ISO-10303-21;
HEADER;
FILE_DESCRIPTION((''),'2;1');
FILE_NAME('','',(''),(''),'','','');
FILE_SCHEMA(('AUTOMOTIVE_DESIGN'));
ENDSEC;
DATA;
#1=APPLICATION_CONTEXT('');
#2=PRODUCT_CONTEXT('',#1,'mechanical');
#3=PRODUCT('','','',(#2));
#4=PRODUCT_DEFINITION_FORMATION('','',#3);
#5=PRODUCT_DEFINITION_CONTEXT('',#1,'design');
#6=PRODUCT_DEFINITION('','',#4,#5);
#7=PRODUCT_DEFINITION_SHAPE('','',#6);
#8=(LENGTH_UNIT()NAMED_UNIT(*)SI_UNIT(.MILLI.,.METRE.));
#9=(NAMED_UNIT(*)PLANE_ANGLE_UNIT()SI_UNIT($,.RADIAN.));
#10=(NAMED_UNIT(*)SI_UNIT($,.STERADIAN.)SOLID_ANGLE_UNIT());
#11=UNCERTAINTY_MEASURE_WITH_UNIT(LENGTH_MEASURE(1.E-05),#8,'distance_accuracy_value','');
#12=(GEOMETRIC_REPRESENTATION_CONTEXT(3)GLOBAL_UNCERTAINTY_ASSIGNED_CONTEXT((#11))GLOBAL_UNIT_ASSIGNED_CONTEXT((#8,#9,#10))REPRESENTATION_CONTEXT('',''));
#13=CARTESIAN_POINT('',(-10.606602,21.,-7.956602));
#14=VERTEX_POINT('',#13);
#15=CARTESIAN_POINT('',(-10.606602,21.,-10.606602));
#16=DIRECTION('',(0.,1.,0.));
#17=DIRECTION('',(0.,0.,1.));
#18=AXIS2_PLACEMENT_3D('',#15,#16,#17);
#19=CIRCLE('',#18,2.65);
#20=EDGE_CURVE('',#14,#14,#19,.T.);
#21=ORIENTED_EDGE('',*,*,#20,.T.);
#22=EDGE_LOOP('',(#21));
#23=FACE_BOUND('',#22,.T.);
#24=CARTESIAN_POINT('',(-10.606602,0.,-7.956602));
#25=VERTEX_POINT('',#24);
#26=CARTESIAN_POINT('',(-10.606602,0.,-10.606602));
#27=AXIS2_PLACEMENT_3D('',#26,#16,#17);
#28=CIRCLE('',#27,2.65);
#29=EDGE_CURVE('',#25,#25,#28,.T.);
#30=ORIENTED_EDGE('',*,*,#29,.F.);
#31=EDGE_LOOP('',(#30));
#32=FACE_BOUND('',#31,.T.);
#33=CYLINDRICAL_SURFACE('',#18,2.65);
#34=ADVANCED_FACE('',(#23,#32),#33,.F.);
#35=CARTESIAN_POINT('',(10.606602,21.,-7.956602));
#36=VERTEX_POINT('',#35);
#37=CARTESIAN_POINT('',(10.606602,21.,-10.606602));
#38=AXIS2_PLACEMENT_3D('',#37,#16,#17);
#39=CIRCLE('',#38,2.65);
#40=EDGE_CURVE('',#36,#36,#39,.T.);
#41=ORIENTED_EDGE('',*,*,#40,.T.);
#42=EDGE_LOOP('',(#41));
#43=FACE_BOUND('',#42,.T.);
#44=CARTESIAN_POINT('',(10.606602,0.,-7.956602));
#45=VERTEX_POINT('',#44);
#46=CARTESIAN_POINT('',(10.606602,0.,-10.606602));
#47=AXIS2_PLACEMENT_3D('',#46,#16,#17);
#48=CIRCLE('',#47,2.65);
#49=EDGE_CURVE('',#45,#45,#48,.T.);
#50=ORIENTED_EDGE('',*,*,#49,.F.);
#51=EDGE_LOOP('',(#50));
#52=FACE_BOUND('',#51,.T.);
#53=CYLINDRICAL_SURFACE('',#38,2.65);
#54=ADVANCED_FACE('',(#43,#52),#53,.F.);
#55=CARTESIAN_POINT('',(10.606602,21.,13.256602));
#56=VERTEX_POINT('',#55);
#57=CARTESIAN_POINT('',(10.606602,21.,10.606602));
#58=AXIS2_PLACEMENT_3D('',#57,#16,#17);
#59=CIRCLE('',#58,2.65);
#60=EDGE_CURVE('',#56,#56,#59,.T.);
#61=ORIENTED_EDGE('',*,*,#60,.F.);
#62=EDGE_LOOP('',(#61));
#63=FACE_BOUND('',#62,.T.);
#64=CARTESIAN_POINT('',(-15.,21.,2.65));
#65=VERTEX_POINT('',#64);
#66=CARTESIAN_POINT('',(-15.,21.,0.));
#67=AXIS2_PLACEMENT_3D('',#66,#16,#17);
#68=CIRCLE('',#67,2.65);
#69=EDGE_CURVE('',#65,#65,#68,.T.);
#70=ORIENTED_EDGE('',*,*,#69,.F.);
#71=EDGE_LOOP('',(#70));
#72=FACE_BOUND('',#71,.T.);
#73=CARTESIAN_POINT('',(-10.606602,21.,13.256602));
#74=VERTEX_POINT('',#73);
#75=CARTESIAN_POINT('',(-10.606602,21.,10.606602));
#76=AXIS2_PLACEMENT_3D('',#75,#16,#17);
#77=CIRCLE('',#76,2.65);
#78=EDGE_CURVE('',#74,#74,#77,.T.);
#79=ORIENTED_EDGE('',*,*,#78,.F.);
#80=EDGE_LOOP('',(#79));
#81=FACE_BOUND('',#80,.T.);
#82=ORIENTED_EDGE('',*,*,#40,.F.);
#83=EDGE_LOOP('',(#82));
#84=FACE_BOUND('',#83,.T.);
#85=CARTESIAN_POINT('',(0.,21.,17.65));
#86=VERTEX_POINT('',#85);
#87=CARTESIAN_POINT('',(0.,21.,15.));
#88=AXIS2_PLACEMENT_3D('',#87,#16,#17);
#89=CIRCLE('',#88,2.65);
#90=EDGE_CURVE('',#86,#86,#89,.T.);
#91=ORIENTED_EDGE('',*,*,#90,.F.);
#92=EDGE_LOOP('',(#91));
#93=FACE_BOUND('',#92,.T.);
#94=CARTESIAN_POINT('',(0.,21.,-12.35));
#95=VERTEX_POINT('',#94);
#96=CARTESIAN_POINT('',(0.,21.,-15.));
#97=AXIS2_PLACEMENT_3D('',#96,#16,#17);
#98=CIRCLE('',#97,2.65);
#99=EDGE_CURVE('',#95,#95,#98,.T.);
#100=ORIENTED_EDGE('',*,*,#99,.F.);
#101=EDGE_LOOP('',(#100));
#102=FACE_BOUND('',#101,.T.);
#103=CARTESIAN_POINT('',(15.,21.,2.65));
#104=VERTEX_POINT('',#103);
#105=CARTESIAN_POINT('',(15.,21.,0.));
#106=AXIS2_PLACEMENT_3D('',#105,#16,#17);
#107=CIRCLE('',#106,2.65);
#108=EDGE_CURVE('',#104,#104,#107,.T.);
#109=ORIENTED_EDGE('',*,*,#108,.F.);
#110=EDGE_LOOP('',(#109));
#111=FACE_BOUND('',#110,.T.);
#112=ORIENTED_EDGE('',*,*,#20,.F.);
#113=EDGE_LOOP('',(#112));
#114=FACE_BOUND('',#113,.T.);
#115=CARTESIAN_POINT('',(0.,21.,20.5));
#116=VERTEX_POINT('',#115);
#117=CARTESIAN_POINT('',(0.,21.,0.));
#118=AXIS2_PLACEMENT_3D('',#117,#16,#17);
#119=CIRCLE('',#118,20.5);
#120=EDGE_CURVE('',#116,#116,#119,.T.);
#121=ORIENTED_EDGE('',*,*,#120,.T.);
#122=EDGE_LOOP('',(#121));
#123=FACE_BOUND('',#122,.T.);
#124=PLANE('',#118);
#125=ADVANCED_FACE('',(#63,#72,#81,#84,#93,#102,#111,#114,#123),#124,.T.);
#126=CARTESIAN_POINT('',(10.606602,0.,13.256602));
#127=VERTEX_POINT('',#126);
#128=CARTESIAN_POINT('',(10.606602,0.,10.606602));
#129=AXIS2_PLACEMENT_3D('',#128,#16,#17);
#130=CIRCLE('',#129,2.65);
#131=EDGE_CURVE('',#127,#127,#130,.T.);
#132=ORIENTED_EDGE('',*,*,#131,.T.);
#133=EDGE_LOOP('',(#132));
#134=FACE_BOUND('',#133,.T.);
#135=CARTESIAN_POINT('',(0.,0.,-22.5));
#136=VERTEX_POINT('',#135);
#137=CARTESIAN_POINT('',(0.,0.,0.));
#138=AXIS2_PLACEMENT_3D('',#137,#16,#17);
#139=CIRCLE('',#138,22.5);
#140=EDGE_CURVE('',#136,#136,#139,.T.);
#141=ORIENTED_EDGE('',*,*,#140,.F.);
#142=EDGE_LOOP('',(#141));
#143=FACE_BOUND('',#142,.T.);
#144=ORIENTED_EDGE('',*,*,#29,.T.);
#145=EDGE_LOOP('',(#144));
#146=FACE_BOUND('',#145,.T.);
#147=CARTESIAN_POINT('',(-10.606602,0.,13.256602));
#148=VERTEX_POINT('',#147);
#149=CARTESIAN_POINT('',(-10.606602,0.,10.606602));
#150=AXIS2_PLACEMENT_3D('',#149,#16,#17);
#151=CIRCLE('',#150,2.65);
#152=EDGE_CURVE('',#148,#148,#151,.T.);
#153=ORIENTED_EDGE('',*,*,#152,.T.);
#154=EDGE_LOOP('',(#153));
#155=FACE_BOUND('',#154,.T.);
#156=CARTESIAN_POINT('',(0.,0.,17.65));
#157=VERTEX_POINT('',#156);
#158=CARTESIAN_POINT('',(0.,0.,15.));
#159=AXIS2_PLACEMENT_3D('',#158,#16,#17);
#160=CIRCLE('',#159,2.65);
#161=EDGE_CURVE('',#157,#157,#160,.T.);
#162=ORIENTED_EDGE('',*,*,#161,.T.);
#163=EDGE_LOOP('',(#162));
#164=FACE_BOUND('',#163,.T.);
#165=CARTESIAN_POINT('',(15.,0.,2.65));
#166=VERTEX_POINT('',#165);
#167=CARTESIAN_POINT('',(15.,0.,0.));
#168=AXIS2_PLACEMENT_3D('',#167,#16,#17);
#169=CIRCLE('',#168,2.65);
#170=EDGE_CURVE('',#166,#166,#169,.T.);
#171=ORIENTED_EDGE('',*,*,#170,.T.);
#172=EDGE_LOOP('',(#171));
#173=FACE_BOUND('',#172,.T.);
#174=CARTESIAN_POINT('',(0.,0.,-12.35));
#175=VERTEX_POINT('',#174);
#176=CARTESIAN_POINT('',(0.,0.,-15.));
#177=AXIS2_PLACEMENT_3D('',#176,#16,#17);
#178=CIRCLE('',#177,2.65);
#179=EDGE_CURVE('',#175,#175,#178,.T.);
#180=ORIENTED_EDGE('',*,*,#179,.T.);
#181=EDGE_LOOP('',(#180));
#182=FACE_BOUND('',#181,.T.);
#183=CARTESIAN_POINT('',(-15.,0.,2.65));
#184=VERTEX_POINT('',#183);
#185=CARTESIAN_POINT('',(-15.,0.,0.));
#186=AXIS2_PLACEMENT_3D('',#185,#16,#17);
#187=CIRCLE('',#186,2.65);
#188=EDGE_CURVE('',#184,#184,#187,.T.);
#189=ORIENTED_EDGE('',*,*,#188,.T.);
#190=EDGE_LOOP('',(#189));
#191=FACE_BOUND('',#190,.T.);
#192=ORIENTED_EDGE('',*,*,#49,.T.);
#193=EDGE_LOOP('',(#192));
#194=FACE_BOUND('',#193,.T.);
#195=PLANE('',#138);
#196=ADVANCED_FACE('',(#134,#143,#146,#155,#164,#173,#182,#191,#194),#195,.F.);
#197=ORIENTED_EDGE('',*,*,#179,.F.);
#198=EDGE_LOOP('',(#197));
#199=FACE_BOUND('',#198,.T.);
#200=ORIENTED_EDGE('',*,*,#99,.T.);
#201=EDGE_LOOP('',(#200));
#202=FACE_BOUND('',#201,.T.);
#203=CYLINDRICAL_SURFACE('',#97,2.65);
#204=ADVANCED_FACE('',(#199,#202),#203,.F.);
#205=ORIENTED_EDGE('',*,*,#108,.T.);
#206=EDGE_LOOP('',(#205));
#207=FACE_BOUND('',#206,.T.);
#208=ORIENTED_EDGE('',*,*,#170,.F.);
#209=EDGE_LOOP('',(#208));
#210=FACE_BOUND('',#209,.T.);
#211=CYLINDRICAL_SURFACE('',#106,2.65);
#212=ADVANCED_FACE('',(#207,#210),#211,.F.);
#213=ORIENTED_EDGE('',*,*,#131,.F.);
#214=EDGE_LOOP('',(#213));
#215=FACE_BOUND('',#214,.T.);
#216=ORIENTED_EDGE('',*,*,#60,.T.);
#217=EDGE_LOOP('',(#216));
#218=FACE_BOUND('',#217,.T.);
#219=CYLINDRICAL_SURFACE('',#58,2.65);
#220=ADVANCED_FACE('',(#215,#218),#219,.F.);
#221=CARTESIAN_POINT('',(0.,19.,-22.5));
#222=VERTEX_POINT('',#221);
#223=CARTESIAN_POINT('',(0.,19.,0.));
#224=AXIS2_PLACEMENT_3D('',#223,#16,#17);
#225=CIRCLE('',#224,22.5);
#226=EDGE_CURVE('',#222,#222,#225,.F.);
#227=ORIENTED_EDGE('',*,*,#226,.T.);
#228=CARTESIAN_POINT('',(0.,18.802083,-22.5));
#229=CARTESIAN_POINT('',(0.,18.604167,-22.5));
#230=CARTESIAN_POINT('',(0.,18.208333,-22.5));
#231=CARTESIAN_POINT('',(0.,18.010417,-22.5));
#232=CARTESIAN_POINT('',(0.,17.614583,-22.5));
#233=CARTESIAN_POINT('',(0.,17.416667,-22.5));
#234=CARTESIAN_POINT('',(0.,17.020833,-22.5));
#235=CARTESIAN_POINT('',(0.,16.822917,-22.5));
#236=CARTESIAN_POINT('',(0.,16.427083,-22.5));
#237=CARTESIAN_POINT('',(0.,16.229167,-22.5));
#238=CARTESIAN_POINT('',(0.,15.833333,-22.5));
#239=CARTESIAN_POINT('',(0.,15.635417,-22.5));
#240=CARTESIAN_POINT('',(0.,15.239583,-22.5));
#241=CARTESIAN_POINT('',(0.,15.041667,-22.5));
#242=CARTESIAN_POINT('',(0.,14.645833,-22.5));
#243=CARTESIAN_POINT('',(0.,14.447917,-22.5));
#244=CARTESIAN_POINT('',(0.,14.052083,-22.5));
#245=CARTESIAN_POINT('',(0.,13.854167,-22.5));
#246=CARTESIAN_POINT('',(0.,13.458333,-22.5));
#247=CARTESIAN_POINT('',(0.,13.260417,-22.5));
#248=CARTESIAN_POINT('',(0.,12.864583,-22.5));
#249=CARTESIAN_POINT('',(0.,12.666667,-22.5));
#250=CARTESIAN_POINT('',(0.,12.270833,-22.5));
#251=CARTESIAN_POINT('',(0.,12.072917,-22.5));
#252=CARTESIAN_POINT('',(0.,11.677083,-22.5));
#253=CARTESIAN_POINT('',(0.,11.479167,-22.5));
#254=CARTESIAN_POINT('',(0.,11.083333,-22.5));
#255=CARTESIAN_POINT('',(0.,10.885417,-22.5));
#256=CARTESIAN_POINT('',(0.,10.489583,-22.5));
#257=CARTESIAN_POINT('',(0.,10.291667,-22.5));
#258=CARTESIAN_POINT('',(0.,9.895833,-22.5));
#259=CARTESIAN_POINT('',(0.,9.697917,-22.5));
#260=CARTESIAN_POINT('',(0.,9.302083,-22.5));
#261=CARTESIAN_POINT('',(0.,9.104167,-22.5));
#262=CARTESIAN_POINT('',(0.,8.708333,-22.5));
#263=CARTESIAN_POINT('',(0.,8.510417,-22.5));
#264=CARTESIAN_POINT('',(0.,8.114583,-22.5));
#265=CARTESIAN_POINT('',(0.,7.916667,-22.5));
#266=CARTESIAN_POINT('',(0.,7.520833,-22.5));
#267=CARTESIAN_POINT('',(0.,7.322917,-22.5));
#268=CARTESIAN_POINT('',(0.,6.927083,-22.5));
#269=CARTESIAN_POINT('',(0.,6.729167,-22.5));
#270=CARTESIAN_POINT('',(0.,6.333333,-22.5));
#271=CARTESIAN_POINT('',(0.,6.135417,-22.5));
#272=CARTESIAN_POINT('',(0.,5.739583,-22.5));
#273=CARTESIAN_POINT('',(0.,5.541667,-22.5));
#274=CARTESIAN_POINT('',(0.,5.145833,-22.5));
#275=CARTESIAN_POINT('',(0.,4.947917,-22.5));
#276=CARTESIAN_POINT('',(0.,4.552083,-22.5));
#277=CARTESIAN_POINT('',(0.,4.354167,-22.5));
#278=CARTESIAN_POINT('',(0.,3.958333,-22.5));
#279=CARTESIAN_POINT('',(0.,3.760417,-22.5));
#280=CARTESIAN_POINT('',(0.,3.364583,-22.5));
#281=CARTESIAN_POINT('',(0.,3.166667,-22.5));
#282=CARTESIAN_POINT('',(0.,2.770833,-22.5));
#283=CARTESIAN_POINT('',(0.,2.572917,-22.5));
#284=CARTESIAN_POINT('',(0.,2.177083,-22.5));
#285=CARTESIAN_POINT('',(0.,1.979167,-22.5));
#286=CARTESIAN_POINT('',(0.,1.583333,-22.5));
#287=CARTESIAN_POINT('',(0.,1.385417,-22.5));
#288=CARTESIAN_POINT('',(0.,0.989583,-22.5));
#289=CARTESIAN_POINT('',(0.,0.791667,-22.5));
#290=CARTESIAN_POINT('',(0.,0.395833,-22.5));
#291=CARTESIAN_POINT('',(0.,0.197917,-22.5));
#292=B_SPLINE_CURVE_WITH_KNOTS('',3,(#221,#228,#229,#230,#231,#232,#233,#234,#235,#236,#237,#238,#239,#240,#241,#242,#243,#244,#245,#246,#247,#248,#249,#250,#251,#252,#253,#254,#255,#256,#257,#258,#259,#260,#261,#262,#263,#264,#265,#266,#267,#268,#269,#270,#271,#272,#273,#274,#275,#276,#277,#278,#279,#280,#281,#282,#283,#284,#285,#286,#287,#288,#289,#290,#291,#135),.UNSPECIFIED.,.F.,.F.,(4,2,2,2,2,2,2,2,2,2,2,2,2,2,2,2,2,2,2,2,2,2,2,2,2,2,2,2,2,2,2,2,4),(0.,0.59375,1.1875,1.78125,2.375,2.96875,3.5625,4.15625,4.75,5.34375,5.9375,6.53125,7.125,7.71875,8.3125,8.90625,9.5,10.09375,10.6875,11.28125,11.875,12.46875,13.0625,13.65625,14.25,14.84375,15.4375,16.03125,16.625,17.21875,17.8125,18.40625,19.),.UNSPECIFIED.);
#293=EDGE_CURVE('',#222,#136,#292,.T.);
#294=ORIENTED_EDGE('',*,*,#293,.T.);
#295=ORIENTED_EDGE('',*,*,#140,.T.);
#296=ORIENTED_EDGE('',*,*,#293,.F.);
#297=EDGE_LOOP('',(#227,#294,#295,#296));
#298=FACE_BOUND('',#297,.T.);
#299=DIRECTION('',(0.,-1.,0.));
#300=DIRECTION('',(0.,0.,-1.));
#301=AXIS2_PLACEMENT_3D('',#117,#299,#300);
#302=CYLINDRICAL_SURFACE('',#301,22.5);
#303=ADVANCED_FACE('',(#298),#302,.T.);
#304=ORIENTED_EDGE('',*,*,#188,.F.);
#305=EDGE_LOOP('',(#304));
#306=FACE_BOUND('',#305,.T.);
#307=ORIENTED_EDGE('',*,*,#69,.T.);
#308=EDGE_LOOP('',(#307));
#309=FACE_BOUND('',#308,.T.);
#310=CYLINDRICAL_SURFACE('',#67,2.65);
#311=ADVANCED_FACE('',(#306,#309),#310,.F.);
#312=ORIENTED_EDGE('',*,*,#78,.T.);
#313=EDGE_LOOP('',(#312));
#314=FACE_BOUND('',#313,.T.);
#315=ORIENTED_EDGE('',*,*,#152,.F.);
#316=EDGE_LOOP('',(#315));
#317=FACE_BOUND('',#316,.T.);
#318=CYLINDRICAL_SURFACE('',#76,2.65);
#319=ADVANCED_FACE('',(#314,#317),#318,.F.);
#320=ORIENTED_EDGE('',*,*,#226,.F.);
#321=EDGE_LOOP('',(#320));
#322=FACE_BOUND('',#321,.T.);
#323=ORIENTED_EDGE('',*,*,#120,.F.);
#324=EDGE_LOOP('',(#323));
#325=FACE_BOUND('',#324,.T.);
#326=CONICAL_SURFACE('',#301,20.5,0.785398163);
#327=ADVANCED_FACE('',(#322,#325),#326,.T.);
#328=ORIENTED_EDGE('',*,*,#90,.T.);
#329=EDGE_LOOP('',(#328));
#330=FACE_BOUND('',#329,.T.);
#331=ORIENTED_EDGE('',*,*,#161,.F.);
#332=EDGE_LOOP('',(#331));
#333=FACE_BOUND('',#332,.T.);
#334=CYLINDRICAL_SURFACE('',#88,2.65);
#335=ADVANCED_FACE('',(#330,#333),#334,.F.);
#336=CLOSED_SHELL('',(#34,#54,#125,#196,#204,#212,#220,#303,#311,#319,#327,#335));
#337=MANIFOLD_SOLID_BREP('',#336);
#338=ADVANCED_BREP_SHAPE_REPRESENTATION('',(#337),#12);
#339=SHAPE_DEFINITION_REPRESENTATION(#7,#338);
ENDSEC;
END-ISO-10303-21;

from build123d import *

# Parameters (mm, degrees)
SKETCH1_R            = 22.5
BOSS_EXTRUDE1_DEPTH  = 21
CHAMFER1_SIZE        = 2
M5_CLEARANCE_HOLE1_D = 5.3


with BuildPart() as part:
    # Sketch1 → Boss-Extrude1 (new body)
    with BuildSketch(Plane(origin=(0, 0, 0), x_dir=(1, 0, 0), z_dir=(0, 1, 0))):
        with Locations(Location((0, 0, 0), (0, 0, 90))):
            Circle(SKETCH1_R)
    extrude(amount=BOSS_EXTRUDE1_DEPTH)

    # Chamfer1
    chamfer1_edges = [part.edges().sort_by_distance(p)[0] for p in [
        (0, 21, 22.5),
    ]]
    chamfer(chamfer1_edges, length=CHAMFER1_SIZE)

    # M5 Clearance Hole1 (through all)
    with Locations(Plane(origin=(0, 21, 0), x_dir=(1, 0, 0), z_dir=(0, 1, 0))):
        with Locations((-10.606601718, 10.606601718), (0, 15), (15, 0), (0, -15), (-15, 0), (10.606601718, 10.606601718), (10.606601718, -10.606601718), (-10.606601718, -10.606601718)):
            Hole(M5_CLEARANCE_HOLE1_D / 2)


solid = part.part
